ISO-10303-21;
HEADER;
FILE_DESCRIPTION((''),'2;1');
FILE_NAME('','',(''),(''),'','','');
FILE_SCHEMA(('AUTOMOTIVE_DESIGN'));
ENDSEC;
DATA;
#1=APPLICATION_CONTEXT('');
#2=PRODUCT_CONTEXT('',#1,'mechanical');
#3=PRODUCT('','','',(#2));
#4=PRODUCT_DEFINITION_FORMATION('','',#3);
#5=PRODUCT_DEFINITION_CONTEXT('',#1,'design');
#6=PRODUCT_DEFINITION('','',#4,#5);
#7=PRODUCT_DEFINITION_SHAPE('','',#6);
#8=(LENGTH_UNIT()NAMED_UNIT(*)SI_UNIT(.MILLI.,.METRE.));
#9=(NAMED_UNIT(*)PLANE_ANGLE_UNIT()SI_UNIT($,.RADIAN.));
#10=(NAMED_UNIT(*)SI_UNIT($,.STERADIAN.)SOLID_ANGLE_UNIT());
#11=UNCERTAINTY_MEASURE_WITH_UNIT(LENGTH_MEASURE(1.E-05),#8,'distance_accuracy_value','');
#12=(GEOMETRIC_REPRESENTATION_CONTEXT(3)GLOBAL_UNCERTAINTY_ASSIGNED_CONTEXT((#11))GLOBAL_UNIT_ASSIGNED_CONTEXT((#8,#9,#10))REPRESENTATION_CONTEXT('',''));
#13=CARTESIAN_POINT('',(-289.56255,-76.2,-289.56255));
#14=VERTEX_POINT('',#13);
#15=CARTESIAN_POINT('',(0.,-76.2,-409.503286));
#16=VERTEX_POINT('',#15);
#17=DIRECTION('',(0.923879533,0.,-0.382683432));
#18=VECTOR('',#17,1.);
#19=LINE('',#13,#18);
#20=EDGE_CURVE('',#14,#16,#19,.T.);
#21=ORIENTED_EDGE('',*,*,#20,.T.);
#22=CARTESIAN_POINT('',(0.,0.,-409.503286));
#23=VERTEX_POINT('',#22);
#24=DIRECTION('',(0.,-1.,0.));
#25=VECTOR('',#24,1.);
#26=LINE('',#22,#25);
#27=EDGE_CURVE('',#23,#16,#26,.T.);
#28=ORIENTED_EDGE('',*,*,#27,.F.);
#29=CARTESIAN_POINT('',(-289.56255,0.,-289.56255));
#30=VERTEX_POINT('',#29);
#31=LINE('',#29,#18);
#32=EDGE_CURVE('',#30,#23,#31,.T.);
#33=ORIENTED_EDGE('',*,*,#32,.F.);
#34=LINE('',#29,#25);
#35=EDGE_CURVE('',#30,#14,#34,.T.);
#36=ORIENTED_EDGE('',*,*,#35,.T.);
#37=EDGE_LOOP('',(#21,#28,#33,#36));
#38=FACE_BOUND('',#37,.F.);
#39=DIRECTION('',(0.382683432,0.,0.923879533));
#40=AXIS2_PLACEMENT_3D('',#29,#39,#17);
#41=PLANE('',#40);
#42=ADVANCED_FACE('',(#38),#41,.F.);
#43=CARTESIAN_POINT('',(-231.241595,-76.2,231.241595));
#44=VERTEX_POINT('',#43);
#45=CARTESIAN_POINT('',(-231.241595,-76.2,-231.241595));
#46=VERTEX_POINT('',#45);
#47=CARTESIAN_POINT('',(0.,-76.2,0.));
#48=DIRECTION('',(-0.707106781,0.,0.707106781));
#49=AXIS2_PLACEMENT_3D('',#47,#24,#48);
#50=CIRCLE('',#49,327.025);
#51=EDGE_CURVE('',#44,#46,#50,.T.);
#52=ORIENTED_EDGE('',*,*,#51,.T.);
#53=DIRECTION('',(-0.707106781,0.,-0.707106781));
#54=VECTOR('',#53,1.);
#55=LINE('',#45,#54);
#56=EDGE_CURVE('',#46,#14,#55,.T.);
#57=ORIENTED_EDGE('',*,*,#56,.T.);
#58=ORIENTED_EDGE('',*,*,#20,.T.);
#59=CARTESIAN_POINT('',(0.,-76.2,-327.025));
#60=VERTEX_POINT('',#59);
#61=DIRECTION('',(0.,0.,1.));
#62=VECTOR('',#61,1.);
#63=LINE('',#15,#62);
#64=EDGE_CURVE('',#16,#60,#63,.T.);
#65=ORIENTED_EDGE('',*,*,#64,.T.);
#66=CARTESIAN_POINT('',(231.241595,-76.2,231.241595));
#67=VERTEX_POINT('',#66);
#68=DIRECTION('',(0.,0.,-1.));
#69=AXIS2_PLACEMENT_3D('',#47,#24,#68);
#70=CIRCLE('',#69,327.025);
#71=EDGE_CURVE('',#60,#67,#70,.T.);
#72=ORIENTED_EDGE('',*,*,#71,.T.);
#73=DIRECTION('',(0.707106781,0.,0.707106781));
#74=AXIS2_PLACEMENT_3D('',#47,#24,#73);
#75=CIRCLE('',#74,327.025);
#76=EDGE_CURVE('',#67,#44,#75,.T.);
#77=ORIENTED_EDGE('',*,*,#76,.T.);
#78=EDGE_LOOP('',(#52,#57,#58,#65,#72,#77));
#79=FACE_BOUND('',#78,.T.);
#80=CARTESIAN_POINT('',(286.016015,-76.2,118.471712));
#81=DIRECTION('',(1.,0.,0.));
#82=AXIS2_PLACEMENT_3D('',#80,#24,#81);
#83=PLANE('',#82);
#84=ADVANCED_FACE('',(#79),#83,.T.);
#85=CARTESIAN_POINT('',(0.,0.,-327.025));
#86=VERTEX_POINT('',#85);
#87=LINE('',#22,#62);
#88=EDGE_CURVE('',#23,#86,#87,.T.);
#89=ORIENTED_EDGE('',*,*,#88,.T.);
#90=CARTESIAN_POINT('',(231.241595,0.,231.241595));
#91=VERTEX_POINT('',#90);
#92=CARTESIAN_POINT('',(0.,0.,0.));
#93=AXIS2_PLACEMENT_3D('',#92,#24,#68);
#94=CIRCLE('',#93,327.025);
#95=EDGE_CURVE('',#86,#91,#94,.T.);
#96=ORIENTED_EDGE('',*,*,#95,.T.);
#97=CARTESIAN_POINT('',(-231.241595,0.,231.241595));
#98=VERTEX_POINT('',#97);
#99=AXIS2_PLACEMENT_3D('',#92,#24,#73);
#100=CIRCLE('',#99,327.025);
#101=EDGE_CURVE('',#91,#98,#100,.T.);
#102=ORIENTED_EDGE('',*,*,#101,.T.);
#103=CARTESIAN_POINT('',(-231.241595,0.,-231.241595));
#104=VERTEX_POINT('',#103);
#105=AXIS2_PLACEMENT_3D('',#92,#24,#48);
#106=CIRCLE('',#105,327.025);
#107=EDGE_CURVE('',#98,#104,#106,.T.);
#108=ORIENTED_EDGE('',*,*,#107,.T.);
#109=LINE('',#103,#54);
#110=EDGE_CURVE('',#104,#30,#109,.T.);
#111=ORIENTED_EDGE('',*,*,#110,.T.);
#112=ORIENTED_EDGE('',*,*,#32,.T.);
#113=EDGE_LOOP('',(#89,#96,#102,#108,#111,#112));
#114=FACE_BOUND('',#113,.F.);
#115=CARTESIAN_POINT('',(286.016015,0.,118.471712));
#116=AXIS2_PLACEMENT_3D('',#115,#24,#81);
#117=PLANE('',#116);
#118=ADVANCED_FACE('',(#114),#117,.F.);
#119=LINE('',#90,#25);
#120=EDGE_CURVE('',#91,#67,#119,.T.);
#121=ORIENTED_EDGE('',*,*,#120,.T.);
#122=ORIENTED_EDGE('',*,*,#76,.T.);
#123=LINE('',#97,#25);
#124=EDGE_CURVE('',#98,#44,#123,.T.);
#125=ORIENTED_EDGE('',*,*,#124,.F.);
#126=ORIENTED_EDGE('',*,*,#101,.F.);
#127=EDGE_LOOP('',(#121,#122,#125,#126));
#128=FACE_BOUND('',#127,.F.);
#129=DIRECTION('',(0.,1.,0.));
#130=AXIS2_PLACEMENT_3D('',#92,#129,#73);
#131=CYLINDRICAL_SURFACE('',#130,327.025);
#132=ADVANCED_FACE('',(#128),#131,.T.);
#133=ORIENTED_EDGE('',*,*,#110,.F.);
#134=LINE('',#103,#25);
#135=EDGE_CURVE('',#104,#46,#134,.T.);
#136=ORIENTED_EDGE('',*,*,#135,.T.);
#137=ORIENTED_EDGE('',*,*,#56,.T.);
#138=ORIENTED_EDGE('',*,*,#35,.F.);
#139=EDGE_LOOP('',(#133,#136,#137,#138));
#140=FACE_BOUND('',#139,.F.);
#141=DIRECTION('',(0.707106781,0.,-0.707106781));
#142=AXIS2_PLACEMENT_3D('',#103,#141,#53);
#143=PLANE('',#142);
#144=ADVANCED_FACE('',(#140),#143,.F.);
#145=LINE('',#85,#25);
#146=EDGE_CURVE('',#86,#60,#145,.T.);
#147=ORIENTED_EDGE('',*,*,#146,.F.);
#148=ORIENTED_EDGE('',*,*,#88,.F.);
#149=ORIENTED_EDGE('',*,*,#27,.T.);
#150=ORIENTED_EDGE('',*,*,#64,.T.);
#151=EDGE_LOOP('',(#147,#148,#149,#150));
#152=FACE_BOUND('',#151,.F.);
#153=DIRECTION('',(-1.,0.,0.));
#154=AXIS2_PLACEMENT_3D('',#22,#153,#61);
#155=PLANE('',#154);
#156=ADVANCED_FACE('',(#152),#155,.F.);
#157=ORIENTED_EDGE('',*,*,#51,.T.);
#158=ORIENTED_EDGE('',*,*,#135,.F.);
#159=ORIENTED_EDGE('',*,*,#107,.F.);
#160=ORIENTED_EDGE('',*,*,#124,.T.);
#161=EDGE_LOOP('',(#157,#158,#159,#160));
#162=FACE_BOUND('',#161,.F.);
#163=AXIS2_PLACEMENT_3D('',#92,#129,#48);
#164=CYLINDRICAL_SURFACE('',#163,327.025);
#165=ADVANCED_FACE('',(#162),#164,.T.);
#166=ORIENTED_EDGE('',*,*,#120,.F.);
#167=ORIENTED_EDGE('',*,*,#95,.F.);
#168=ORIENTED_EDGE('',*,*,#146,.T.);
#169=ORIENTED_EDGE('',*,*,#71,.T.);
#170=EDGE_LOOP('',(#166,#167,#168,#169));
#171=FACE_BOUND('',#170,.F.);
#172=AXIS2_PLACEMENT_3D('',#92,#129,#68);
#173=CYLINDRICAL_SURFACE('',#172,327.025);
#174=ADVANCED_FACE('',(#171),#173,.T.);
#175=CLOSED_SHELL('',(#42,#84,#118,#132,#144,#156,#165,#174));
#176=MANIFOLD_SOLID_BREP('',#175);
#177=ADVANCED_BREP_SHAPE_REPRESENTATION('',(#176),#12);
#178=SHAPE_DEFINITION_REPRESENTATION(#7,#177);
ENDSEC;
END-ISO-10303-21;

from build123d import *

# Parameters (mm, degrees)
F1_DEPTH = 76.2


with BuildPart() as f1:
    # F0 (on Front) → F1 (new body)
    with BuildSketch(Plane.XZ):
        with BuildLine():
            Line((231.2415951175, 231.2415951175), (327.025, 0))
            ThreePointArc((327.025, 0), (302.1317041195, 125.1470494692), (231.2415951175, 231.2415951175))
        make_face()
        Polygon((0, 0), (327.025, 0), (231.2415951175, 231.2415951175), align=None)
        with BuildLine():
            ThreePointArc((231.2415951175, -231.2415951175), (302.1317041195, -125.1470494692), (327.025, 0))
            Line((327.025, 0), (231.2415951175, -231.2415951175))
        make_face()
        Polygon((231.2415951175, -231.2415951175), (327.025, 0), (0, 0), align=None)
        with BuildLine():
            Line((0, 327.025), (231.2415951175, 231.2415951175))
            ThreePointArc((231.2415951175, 231.2415951175), (125.1470494692, 302.1317041195), (0, 327.025))
        make_face()
        Polygon((0, 0), (231.2415951175, 231.2415951175), (0, 327.025), align=None)
        with BuildLine():
            ThreePointArc((0, -327.025), (125.1470494692, -302.1317041195), (231.2415951175, -231.2415951175))
            Line((231.2415951175, -231.2415951175), (0, -327.025))
        make_face()
        Polygon((0, -327.025), (231.2415951175, -231.2415951175), (0, 0), align=None)
        Polygon((0, -327.025), (0, 0), (-231.2415951175, -231.2415951175), align=None)
        Polygon((-231.2415951175, 231.2415951175), (0, 0), (0, 327.025), align=None)
        Polygon((-327.025, 0), (0, 0), (-231.2415951175, 231.2415951175), align=None)
        Polygon((-231.2415951175, -231.2415951175), (0, 0), (-327.025, 0), align=None)
        with BuildLine():
            Line((-231.2415951175, 231.2415951175), (0, 327.025))
            ThreePointArc((0, 327.025), (-125.1470494692, 302.1317041195), (-231.2415951175, 231.2415951175))
        make_face()
        with BuildLine():
            Line((0, -409.5032856623), (0, -327.025))
            ThreePointArc((0, -327.025), (-125.1470494692, -302.1317041195), (-231.2415951175, -231.2415951175))
            Line((-231.2415951175, -231.2415951175), (-289.56255021, -289.56255021))
            Line((-289.56255021, -289.56255021), (0, -409.5032856623))
        make_face()
        with BuildLine():
            ThreePointArc((-231.2415951175, -231.2415951175), (-125.1470494692, -302.1317041195), (0, -327.025))
            Line((0, -327.025), (-231.2415951175, -231.2415951175))
        make_face()
        with BuildLine():
            ThreePointArc((-327.025, 0), (-302.1317041195, -125.1470494692), (-231.2415951175, -231.2415951175))
            Line((-231.2415951175, -231.2415951175), (-327.025, 0))
        make_face()
        with BuildLine():
            Line((-327.025, 0), (-231.2415951175, 231.2415951175))
            ThreePointArc((-231.2415951175, 231.2415951175), (-302.1317041195, 125.1470494692), (-327.025, 0))
        make_face()
    extrude(amount=F1_DEPTH)


solid = f1.part
